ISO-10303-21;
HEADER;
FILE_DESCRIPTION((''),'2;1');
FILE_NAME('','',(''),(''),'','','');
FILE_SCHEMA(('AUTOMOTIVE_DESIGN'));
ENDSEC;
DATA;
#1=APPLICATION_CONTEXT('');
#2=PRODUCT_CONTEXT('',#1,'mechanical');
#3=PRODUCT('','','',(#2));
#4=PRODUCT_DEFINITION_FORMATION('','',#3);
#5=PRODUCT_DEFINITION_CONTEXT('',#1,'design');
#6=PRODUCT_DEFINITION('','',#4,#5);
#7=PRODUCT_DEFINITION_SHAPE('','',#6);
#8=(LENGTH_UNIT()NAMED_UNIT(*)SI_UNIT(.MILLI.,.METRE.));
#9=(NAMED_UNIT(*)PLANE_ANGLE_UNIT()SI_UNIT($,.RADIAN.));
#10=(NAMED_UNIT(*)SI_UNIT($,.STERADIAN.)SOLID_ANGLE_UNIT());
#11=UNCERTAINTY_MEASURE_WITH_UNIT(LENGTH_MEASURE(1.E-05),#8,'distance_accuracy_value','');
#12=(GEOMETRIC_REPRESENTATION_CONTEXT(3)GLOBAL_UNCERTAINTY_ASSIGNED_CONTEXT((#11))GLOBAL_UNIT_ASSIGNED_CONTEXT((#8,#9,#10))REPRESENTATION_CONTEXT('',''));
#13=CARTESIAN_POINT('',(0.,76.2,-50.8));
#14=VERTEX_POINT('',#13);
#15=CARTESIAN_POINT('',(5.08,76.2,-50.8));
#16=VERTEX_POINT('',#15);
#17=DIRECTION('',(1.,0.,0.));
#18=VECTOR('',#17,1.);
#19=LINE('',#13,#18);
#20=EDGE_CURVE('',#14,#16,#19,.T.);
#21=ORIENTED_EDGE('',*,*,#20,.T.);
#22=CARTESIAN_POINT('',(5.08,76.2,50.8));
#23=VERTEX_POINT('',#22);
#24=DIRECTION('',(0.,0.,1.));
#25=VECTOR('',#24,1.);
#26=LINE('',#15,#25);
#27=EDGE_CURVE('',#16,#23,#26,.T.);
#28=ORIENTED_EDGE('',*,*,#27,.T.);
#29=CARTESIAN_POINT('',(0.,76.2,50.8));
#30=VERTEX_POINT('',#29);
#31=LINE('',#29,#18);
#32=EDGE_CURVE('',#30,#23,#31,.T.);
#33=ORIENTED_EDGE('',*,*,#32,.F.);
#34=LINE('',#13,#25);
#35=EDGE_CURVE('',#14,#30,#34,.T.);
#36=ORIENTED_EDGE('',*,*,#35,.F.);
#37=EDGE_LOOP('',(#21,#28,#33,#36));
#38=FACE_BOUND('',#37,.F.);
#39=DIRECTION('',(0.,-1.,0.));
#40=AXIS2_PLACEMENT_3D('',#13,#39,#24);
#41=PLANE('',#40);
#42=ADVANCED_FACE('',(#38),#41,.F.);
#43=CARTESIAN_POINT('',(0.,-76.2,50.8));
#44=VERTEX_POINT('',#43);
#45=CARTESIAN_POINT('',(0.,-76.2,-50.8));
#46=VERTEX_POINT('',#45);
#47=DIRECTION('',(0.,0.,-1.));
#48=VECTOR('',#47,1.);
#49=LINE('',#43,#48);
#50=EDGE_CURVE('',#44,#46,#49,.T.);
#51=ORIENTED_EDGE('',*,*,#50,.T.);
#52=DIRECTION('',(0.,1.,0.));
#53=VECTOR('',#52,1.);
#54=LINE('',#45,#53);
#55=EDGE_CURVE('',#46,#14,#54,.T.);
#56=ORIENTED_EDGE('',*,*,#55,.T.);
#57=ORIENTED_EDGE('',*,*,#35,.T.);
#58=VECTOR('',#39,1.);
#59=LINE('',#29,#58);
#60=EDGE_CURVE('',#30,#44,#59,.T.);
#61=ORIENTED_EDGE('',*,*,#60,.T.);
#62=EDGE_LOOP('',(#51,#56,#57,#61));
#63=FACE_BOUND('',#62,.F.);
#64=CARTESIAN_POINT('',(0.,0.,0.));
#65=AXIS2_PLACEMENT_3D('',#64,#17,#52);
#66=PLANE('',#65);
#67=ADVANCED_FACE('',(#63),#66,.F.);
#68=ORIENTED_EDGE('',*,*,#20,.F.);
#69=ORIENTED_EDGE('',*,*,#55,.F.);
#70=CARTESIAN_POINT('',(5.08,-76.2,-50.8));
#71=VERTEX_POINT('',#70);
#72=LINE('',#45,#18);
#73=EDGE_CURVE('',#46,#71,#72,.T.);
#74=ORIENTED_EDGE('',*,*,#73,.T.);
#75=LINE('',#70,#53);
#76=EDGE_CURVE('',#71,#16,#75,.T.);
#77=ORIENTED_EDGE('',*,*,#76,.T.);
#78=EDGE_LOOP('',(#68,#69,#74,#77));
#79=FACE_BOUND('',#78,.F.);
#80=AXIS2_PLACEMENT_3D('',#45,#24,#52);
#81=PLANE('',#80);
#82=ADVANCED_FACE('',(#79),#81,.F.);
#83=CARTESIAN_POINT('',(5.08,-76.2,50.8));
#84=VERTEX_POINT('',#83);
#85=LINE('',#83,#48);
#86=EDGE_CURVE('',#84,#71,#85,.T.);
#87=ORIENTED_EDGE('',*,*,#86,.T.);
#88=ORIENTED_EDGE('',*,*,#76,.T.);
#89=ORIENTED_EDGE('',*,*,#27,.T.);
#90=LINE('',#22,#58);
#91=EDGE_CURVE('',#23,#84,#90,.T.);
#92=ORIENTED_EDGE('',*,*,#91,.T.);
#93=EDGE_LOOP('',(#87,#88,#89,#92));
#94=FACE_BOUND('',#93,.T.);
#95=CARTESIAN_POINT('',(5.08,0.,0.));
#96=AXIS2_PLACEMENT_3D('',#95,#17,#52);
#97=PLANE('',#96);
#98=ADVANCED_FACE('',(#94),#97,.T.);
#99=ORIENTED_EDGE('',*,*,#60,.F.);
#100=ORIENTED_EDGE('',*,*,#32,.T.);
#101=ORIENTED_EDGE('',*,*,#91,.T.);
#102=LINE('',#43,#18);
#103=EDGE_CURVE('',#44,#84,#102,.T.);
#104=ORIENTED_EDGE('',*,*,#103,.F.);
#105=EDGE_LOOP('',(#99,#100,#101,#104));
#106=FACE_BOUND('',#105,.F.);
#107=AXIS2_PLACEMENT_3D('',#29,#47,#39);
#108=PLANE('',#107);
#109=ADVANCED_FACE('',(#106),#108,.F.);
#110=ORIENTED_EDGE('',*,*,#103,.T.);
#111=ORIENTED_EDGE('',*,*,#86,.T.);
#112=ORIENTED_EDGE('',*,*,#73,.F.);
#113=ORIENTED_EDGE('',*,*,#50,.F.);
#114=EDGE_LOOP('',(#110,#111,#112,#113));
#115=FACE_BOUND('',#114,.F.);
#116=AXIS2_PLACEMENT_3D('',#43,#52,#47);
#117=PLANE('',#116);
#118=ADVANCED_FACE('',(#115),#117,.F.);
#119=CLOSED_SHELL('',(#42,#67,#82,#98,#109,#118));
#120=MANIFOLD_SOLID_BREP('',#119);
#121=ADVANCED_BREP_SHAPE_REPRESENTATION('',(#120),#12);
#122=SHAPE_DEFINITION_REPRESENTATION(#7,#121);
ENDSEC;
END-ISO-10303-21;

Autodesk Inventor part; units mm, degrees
ref_plane "YZ Plane" through (0, 0, 0) normal (1, 0, 0) x (0, 1, 0)
ref_plane "XZ Plane" through (0, 0, 0) normal (0, 1, 0) x (-1, 0, 0)
ref_plane "XY Plane" through (0, 0, 0) normal (0, 0, 1) x (1, 0, 0)
sketch "Sketch2" plane through (0, 0, 0) normal (1, 0, 0) x (0, 1, 0)
  line L0 (76.2, 50.8) -> (-76.2, 50.8)
  line L1 (-76.2, 50.8) -> (-76.2, -50.8)
  line L2 (-76.2, -50.8) -> (76.2, -50.8)
  line L3 (76.2, -50.8) -> (76.2, 50.8)
  line L4 (76.2, 50.8) -> (-76.2, -50.8) construction
  line L5 (-76.2, 50.8) -> (76.2, -50.8) construction
  point P0 (0, 0)
  dimension "d4" = 152.4
  dimension "d5" = 101.6
extrude "Extrusion2" add sketch "Sketch2" along normal blind 5.08
properties part number "Right wall"
